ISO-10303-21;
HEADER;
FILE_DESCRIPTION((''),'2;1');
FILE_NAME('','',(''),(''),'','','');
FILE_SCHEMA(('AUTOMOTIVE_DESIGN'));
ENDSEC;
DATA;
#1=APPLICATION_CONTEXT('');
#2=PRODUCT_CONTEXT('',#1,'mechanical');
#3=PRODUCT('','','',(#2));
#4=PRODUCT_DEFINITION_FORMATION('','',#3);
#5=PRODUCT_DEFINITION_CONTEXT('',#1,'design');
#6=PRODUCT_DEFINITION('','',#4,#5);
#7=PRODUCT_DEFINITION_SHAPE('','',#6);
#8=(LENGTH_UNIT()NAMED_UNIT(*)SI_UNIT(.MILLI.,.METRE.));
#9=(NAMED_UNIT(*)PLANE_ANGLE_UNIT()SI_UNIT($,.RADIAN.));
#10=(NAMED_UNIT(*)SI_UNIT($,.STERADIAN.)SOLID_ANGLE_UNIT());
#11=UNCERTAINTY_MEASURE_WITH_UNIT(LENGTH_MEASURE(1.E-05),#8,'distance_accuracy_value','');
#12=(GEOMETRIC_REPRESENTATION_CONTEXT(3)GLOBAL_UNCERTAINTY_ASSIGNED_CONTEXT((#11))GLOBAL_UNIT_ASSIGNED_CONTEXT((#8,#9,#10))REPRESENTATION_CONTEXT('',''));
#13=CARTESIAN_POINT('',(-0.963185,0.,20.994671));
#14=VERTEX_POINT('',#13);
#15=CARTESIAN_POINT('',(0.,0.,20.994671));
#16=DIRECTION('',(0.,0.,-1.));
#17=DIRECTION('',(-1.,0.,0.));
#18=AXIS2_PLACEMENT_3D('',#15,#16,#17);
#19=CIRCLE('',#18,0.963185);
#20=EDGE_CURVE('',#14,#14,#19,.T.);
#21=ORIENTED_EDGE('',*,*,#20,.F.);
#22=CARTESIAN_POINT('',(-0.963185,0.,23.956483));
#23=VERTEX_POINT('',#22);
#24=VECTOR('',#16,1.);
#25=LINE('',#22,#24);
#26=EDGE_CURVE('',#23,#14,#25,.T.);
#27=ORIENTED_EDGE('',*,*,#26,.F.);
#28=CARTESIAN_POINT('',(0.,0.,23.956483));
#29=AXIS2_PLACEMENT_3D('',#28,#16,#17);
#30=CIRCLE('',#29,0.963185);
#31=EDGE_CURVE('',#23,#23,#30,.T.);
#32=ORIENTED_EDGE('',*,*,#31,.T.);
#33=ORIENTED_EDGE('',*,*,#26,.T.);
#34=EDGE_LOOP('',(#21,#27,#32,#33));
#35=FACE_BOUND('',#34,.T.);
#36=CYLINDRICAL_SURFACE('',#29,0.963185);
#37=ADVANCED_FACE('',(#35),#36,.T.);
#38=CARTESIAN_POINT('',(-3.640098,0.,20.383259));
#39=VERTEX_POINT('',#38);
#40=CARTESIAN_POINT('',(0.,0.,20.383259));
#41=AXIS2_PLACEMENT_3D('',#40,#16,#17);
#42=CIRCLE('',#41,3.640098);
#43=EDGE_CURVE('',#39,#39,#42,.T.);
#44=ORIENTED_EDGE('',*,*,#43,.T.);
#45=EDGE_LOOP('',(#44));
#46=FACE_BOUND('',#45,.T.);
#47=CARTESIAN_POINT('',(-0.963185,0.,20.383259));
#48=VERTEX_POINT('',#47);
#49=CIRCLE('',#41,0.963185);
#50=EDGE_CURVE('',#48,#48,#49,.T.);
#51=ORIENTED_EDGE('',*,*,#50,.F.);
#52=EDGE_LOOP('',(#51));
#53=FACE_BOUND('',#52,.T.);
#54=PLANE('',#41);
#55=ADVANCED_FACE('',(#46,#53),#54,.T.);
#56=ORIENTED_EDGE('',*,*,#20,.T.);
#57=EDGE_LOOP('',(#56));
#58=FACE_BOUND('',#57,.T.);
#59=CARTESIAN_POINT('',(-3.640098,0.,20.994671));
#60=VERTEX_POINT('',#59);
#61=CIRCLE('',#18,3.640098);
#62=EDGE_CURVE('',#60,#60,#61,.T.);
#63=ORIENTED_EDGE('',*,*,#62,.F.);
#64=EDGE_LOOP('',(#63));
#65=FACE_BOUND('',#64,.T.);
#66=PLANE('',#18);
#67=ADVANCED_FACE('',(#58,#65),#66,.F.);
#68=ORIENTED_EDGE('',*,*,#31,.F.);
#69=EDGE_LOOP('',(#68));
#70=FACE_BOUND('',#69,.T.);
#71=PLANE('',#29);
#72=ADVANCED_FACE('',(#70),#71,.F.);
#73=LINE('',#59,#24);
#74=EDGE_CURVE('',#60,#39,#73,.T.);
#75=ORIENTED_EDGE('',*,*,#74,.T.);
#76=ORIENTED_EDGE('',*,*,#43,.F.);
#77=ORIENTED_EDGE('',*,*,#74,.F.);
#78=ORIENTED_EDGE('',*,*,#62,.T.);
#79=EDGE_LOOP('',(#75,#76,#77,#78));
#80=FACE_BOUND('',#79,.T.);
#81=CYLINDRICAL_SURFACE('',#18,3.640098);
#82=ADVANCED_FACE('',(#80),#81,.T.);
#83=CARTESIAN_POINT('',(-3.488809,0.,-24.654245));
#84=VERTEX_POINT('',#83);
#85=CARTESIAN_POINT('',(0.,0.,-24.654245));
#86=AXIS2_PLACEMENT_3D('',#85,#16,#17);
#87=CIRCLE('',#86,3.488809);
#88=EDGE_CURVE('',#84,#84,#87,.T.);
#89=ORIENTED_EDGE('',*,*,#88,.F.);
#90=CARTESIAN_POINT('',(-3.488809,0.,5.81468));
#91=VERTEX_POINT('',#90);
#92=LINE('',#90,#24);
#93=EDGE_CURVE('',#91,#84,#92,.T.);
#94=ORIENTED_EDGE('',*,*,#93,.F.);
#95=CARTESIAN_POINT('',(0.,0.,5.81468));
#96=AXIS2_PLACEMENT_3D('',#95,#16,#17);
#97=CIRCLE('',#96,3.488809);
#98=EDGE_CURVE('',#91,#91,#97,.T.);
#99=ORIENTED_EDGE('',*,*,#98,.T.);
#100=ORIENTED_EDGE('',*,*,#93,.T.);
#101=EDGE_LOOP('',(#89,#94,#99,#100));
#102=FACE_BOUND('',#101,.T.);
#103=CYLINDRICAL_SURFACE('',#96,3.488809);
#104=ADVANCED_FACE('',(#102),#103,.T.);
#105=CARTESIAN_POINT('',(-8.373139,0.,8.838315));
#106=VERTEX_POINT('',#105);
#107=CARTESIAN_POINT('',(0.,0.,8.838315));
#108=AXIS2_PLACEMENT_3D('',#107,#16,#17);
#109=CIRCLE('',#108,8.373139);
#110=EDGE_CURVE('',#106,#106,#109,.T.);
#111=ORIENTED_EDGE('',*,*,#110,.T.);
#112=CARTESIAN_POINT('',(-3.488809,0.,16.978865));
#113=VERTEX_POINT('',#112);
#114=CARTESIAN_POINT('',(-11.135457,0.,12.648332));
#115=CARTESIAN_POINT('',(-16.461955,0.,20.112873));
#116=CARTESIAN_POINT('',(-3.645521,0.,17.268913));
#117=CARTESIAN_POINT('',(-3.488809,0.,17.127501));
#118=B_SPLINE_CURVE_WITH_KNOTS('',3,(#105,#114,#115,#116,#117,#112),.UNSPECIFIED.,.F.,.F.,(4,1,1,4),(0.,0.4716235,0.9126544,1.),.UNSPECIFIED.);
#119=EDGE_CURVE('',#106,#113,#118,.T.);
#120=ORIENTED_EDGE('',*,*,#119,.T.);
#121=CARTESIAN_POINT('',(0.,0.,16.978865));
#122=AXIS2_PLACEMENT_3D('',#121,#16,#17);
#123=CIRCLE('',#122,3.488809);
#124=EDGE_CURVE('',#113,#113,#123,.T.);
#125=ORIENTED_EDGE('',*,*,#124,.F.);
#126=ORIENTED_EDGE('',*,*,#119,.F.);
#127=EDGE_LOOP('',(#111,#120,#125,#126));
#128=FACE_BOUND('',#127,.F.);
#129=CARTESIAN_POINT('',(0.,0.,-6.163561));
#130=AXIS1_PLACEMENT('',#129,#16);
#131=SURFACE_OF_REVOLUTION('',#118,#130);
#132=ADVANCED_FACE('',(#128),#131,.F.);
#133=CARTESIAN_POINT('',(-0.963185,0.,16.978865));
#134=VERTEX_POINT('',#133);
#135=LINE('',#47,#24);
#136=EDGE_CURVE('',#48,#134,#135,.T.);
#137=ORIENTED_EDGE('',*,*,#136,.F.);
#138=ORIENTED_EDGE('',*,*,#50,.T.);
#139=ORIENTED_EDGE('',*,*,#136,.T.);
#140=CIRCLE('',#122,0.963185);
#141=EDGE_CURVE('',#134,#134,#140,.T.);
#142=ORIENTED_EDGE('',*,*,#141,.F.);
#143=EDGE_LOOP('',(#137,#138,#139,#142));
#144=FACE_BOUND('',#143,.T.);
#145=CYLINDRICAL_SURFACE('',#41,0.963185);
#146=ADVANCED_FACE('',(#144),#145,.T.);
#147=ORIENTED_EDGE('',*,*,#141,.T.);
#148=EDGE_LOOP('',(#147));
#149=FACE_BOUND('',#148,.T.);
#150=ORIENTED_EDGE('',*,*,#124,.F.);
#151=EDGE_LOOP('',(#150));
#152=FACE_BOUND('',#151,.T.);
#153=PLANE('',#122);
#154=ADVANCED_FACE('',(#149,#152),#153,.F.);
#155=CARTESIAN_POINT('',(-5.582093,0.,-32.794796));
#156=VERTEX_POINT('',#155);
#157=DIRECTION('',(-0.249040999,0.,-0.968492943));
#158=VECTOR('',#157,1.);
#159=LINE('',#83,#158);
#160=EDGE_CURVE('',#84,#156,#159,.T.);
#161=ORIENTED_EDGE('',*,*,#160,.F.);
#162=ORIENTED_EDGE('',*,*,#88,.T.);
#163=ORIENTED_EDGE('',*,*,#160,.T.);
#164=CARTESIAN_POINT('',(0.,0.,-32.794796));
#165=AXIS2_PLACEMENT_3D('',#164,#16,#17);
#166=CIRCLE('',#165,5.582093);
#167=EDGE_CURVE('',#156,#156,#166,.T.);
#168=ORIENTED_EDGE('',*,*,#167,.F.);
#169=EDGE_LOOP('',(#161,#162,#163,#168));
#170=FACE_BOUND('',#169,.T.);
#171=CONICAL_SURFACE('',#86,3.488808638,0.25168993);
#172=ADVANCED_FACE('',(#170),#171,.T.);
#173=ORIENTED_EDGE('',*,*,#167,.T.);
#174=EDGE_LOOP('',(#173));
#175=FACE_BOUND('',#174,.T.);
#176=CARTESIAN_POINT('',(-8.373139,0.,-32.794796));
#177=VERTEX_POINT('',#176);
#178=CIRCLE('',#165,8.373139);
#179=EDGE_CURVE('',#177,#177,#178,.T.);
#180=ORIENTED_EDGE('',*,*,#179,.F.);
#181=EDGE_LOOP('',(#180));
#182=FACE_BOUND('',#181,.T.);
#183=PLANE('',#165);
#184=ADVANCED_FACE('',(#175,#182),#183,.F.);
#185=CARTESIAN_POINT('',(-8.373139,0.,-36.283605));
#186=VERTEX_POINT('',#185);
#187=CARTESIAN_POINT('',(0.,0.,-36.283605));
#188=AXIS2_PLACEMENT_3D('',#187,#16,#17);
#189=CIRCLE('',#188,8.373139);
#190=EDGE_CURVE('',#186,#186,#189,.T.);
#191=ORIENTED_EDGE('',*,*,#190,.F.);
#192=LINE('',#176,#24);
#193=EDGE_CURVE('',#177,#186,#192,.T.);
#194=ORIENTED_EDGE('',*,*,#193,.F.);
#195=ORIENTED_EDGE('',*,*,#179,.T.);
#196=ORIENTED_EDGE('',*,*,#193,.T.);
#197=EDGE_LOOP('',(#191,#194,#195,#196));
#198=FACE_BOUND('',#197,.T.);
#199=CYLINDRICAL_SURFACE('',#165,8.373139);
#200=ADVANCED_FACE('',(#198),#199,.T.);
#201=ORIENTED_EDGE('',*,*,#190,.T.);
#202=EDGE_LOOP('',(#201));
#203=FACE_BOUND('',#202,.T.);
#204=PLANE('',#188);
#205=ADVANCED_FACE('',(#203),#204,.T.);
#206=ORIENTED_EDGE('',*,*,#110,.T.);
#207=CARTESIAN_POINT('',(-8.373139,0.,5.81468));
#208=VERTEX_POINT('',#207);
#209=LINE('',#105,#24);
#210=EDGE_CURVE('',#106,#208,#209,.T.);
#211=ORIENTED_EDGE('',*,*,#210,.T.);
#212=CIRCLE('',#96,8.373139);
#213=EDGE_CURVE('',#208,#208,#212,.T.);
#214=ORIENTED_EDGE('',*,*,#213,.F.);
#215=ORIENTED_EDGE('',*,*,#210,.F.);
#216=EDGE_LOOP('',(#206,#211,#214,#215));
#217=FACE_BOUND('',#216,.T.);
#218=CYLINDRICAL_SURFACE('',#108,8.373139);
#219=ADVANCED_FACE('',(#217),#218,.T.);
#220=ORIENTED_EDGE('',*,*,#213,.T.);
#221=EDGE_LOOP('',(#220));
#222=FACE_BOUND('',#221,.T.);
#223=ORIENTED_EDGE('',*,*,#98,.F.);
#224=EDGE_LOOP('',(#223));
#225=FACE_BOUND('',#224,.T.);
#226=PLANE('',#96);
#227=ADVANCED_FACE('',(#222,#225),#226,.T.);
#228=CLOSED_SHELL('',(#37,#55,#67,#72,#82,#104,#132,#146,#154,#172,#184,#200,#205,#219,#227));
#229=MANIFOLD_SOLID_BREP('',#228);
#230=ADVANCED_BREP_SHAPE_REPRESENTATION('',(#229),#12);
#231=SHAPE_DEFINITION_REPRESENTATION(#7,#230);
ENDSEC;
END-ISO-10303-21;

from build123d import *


with BuildPart() as f1:
    # F0 (on Front) → F1 (revolve)
    with BuildSketch(Plane.XZ):
        with BuildLine():
            Line((0, -36.2836048007), (0, 23.95648323))
            Line((0, 23.95648323), (-0.9631852736, 23.95648323))
            Line((-0.9631852736, 23.95648323), (-0.9631852736, 20.9946706891))
            Line((-0.9631852736, 20.9946706891), (-3.6400984973, 20.9946706891))
            Line((-3.6400984973, 20.9946706891), (-3.6400984973, 20.3832592815))
            Line((-3.6400984973, 20.3832592815), (-0.9631852736, 20.3832592815))
            Line((-0.9631852736, 20.3832592815), (-0.9631852736, 16.9788654894))
            Line((-0.9631852736, 16.9788654894), (-3.4888086375, 16.9788654894))
            add(Edge.make_bspline(
                [(-8.3731394261, 8.838314563), (-11.135456819, 12.6483323244), (-16.4619548759, 20.1128731042), (-3.6455209455, 17.2689128153), (-3.4888086375, 17.127500847), (-3.4888086375, 16.9788654894)],
                knots=[0, 0, 0, 0, 0.4716234996, 0.9126543996, 1, 1, 1, 1], degree=3))
            Line((-8.3731394261, 8.838314563), (-8.3731394261, 5.8146798983))
            Line((-8.3731394261, 5.8146798983), (-3.4888086375, 5.8146798983))
            Line((-3.4888086375, 5.8146798983), (-3.4888086375, -24.6542450041))
            Line((-3.4888086375, -24.6542450041), (-5.5820927955, -32.7947959304))
            Line((-5.5820927955, -32.7947959304), (-8.3731394261, -32.7947959304))
            Line((-8.3731394261, -32.7947959304), (-8.3731394261, -36.2836048007))
            Line((-8.3731394261, -36.2836048007), (0, -36.2836048007))
        make_face()
    revolve(axis=Axis((0, 0, -6.1635607854), (0, 0, -1)))


solid = f1.part
